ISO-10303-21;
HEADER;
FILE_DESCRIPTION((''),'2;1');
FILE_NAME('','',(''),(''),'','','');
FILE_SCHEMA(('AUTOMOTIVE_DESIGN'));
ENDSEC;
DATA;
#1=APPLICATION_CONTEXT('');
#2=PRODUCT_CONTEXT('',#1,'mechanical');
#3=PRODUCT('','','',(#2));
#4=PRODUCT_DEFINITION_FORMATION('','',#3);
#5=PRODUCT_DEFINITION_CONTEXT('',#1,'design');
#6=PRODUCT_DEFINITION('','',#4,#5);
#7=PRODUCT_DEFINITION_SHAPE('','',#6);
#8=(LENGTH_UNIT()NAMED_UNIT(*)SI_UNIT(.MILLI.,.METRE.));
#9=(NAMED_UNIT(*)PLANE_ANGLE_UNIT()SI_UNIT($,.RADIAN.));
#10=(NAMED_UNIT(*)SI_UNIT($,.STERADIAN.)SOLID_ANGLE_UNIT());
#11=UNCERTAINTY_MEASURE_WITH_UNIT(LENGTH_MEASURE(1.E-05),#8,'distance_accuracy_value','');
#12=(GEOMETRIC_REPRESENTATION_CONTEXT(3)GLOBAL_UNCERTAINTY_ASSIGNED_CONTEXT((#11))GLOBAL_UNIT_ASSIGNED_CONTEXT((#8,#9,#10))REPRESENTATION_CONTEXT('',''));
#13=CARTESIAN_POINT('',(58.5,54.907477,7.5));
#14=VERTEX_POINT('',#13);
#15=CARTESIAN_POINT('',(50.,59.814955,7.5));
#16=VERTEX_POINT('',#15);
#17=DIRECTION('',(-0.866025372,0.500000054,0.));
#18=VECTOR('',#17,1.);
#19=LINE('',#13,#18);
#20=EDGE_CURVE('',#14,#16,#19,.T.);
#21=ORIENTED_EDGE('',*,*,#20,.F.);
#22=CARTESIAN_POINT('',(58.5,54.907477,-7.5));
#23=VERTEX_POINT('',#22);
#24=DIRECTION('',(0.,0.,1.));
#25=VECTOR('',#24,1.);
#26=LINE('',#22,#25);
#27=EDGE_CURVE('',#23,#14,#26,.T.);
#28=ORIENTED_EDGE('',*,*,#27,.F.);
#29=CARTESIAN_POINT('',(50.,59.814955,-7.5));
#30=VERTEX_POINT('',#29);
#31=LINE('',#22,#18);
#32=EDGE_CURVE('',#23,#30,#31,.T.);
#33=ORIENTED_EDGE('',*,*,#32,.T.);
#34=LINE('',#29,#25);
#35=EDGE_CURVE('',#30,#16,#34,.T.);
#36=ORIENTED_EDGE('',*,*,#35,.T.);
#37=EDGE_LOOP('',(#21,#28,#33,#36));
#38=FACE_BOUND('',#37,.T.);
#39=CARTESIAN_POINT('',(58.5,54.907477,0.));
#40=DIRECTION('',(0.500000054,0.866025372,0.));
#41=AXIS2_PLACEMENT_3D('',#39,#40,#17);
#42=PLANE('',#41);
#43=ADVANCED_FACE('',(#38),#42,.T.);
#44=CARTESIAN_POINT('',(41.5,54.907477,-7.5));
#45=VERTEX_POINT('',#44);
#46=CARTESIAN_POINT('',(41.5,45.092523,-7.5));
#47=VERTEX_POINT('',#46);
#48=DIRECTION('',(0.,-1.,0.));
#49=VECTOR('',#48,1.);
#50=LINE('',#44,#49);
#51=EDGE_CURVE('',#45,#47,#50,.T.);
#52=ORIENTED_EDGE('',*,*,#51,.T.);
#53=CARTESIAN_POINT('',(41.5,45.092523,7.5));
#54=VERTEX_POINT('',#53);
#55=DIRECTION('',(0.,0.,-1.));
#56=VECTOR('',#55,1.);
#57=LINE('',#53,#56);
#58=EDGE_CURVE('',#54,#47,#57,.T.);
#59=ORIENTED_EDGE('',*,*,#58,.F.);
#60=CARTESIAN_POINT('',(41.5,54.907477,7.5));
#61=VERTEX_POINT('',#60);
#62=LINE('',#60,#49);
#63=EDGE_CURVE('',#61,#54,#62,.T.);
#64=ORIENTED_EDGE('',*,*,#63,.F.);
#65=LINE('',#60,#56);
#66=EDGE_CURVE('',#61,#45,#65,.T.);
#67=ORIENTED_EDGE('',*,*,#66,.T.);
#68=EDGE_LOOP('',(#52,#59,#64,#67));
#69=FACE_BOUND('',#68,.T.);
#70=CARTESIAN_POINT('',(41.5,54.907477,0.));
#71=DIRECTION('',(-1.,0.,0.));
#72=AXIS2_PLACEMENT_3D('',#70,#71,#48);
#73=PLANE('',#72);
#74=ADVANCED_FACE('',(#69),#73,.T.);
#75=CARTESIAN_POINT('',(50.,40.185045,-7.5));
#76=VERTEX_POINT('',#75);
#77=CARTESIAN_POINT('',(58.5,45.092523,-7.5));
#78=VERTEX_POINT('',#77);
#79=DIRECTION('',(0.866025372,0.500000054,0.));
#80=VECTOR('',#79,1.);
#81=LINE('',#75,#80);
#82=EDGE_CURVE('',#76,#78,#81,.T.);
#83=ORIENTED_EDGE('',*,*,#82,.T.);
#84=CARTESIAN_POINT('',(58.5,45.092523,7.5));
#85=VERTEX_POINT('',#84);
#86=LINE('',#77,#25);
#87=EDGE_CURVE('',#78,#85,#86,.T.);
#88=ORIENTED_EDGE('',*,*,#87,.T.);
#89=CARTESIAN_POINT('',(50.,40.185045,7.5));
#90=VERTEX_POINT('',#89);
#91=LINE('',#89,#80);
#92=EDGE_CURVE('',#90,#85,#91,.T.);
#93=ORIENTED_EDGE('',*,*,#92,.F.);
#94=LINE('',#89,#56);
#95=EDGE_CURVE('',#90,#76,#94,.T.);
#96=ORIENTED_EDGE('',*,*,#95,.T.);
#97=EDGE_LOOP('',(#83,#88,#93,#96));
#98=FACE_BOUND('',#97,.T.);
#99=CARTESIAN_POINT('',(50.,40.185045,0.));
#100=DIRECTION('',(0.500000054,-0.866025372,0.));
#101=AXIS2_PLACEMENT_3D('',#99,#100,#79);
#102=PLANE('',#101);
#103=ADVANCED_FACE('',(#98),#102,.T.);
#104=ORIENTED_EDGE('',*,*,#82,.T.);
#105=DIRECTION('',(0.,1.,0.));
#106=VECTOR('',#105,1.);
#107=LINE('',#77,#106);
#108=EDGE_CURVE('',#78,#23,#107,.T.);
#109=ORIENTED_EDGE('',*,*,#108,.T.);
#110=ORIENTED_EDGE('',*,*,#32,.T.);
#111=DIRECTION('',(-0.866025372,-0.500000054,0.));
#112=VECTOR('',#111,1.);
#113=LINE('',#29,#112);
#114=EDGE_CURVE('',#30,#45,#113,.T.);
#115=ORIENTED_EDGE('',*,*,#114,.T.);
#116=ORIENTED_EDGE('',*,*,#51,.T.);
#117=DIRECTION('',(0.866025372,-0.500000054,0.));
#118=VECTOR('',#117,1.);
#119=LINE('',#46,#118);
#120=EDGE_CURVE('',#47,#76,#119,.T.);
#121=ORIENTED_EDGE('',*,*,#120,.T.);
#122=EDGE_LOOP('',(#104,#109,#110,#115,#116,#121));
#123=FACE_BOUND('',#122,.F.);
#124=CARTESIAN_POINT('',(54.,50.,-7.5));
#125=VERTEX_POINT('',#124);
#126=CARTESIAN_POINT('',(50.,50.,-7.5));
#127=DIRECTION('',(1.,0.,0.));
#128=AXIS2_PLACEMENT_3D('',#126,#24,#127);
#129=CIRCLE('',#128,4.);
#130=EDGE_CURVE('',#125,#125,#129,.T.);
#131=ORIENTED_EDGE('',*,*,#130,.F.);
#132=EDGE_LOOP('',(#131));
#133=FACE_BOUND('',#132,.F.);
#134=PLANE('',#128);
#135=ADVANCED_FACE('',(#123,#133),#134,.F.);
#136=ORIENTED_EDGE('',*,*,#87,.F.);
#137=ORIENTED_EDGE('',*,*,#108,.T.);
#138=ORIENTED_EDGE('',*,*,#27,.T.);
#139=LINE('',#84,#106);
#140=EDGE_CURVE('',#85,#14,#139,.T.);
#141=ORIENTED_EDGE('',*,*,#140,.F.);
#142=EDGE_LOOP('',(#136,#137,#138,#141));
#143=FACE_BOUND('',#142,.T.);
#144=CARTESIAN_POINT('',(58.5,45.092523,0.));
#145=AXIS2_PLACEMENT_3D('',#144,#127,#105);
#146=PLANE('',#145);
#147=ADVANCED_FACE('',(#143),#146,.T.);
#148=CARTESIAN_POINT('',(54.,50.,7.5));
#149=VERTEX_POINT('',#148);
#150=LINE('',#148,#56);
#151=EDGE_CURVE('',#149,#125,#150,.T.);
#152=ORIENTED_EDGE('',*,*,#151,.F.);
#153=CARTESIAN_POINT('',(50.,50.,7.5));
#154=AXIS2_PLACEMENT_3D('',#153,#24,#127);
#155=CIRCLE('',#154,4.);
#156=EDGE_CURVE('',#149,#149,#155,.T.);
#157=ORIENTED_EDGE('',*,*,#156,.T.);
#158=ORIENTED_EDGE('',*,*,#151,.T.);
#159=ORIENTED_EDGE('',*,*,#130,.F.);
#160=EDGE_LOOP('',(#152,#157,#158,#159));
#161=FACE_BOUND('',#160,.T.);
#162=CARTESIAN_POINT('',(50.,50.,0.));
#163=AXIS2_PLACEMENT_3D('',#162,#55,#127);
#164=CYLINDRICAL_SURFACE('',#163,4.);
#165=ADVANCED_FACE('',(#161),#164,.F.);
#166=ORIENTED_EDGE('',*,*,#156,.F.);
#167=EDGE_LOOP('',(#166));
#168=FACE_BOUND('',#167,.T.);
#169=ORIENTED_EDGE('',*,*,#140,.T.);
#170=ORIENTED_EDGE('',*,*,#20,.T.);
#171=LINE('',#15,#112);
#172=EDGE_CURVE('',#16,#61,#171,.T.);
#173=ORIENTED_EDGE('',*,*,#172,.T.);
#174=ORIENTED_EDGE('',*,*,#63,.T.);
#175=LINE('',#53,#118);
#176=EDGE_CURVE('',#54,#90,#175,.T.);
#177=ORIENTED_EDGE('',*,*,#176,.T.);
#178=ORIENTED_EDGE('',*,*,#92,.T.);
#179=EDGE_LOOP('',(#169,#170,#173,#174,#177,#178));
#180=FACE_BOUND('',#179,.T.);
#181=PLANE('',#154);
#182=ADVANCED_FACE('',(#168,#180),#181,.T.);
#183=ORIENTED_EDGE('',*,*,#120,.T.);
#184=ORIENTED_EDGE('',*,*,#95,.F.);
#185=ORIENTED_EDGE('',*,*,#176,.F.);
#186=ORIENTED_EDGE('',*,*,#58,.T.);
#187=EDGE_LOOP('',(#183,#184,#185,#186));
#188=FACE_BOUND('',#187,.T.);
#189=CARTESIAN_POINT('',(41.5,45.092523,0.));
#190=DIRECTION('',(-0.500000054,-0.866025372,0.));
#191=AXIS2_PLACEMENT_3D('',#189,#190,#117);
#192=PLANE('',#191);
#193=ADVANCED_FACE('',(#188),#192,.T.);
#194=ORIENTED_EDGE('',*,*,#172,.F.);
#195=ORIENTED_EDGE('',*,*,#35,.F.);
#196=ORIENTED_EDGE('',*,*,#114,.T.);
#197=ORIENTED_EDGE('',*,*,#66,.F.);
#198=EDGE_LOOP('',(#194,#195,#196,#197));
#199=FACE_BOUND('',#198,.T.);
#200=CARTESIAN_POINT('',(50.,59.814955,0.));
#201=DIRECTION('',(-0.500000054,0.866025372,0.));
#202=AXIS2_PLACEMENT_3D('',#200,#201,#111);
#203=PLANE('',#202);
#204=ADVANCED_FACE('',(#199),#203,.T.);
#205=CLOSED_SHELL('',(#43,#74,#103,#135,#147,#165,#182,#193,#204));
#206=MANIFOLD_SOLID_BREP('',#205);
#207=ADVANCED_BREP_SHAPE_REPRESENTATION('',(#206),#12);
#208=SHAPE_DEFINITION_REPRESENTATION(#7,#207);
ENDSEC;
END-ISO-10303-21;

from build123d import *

# Parameters (mm, degrees)
F0_R     = 4
F1_DEPTH = 7.5


with BuildPart() as f1:
    # F0 (on Top) → F1 (new body, symmetric)
    with BuildSketch(Plane.XY):
        Polygon((0, -9.814955), (8.5, -4.907477), (8.5, 4.907477), (0, 9.814955), (-8.5, 4.907477), (-8.5, -4.907477), align=None)
        Circle(F0_R, mode=Mode.SUBTRACT)
    extrude(amount=F1_DEPTH, both=True)


with BuildPart() as f1_1:
    # F2: moved
    add(f1.part.moved(Location((50, 50, 0))))


solid = f1_1.part
